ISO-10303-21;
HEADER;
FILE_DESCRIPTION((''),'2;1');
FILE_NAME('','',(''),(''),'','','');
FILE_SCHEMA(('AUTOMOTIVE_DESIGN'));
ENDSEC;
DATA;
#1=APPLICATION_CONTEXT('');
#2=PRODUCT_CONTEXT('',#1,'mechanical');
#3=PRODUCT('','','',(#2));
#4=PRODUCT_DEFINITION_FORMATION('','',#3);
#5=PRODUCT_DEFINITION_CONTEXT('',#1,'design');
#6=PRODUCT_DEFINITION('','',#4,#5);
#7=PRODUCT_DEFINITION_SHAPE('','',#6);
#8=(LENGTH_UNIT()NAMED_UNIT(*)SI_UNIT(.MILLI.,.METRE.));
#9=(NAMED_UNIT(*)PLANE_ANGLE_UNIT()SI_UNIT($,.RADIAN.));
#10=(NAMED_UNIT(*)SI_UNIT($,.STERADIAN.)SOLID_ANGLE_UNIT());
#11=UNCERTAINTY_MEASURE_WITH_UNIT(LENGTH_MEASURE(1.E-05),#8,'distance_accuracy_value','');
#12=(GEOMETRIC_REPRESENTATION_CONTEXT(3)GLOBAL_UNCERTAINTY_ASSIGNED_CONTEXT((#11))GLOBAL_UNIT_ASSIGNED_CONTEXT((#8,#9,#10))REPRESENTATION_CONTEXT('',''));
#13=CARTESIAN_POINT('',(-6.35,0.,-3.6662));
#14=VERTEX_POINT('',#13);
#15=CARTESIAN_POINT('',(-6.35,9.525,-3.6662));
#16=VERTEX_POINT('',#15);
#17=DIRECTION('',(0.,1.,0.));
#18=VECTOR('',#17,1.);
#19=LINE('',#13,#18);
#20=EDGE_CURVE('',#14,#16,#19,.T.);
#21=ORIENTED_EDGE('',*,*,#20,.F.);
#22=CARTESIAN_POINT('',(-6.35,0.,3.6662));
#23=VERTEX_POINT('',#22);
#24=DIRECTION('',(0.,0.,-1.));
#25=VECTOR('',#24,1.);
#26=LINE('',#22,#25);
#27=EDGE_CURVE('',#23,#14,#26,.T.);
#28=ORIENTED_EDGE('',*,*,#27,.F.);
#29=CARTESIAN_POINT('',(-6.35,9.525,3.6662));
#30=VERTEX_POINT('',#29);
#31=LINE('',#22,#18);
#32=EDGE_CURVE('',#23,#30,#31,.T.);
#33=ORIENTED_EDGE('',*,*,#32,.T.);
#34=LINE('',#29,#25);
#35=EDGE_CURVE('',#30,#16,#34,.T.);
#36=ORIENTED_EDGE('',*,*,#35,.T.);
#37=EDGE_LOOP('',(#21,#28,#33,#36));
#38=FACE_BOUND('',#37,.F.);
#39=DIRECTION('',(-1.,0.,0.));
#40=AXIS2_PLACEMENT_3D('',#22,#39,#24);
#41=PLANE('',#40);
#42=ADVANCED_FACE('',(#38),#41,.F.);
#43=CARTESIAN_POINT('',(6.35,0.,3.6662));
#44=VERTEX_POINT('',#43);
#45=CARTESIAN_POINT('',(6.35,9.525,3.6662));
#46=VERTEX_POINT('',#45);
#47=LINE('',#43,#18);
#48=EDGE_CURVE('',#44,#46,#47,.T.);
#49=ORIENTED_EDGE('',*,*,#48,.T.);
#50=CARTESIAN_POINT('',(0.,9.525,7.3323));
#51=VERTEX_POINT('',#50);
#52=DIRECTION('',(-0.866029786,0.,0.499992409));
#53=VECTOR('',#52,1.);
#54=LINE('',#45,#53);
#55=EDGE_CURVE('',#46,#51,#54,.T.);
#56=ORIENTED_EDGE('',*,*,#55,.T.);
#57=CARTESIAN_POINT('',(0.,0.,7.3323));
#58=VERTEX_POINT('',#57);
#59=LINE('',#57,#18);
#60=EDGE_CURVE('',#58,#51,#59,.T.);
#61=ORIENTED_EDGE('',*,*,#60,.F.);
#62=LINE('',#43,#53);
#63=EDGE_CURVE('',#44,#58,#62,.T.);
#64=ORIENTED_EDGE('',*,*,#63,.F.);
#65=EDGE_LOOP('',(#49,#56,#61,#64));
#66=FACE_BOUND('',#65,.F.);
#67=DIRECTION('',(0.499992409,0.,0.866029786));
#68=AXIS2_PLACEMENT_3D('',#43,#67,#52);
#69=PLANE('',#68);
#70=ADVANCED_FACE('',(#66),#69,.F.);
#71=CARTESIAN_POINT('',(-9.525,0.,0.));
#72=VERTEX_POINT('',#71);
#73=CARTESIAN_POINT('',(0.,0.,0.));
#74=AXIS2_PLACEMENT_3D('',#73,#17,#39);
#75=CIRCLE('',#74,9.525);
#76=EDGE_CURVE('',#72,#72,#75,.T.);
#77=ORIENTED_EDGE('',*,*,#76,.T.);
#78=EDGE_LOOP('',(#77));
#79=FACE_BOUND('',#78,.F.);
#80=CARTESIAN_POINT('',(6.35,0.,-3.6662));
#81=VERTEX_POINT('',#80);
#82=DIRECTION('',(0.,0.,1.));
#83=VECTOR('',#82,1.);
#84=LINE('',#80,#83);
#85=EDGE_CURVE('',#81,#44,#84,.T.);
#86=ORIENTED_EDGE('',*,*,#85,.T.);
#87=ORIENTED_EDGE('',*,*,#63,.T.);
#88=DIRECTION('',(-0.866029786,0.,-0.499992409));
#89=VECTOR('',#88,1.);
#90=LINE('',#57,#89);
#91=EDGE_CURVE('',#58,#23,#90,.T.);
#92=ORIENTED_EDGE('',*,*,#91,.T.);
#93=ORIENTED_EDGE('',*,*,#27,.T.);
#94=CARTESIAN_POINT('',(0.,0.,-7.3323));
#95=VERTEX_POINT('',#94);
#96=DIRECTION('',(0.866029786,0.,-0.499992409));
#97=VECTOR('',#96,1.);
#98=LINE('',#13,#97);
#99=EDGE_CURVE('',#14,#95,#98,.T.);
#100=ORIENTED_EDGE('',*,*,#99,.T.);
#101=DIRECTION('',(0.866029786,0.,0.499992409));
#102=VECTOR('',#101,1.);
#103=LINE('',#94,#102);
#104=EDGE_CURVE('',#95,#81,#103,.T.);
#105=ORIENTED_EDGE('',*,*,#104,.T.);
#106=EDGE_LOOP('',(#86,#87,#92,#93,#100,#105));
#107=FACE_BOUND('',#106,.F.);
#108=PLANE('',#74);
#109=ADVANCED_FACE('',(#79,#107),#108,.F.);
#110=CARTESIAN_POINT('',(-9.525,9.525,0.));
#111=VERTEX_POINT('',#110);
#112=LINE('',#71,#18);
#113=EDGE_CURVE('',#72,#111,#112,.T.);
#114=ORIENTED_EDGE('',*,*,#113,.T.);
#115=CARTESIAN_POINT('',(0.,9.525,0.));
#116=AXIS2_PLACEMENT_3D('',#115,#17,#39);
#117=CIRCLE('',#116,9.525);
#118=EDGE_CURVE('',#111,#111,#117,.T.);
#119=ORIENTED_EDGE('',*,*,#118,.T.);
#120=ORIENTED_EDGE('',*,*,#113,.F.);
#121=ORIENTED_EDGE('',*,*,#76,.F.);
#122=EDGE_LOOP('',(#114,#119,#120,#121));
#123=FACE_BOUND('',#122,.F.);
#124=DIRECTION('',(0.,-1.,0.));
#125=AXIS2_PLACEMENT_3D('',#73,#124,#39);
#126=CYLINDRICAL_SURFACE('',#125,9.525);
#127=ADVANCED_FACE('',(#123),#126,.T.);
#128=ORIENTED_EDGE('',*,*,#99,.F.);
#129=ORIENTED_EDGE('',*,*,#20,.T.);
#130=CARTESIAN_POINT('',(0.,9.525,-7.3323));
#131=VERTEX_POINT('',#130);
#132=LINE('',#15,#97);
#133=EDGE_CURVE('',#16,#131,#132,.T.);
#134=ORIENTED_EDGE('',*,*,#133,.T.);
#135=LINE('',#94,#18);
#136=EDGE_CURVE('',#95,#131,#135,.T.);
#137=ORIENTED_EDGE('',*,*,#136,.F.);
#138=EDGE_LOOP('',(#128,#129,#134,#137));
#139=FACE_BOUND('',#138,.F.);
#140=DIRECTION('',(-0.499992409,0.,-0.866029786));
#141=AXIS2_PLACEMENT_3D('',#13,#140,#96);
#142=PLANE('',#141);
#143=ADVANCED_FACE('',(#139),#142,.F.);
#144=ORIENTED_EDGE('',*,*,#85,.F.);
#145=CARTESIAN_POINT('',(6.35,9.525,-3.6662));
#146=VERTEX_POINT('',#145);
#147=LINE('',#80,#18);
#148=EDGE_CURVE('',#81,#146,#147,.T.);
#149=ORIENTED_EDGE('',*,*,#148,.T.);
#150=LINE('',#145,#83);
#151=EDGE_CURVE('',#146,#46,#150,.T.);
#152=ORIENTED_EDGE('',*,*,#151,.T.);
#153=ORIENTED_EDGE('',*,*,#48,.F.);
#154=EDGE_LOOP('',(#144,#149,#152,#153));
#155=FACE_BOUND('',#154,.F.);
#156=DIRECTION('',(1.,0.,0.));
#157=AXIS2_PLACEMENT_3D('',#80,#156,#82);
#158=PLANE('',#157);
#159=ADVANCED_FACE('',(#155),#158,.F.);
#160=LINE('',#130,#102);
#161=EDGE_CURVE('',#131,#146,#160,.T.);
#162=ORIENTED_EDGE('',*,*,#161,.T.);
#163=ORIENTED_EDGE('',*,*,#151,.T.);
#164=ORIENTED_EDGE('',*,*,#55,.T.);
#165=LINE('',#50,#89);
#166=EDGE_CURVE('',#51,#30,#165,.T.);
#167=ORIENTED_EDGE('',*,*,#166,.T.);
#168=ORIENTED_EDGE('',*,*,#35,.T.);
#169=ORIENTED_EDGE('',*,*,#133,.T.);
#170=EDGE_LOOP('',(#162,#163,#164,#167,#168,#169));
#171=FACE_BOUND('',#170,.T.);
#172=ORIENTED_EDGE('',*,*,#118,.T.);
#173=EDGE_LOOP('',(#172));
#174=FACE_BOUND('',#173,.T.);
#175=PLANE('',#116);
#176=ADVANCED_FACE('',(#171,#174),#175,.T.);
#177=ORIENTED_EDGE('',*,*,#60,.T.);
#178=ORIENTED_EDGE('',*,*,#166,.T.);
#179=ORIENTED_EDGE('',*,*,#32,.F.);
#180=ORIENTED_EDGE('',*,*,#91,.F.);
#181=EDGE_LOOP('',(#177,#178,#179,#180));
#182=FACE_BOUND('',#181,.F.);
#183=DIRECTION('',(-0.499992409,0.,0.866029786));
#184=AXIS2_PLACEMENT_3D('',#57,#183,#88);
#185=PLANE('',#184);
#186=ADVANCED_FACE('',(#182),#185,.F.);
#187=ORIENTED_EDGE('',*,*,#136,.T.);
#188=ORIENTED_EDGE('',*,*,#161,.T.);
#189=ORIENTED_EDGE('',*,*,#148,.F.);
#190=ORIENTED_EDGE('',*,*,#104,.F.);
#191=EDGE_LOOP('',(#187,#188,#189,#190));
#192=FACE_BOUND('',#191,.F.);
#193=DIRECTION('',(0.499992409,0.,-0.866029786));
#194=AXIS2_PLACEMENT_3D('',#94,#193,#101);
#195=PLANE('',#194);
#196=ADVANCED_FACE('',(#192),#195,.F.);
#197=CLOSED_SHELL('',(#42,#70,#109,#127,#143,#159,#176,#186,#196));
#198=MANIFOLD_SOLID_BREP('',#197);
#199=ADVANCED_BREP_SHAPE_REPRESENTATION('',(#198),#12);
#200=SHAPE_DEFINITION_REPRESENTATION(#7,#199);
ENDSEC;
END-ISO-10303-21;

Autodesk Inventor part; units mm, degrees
ref_plane "YZ Plane" through (0, 0, 0) normal (1, 0, 0) x (0, 1, 0)
ref_plane "XZ Plane" through (0, 0, 0) normal (0, 1, 0) x (-1, 0, 0)
ref_plane "XY Plane" through (0, 0, 0) normal (0, 0, 1) x (1, 0, 0)
sketch "Sketch1" plane through (0, 0, 0) normal (0, 1, 0) x (-1, 0, 0)
  circle A0 centre (0, 0) radius 6.35 construction
  line L0 (6.35, -3.6662) -> (0, -7.3323)
  line L1 (0, -7.3323) -> (-6.35, -3.6662)
  line L2 (-6.35, -3.6662) -> (-6.35, 3.6662)
  line L3 (-6.35, 3.6662) -> (0, 7.3323)
  line L4 (0, 7.3323) -> (6.35, 3.6662)
  line L5 (6.35, 3.6662) -> (6.35, -3.6662)
  circle A1 centre (0, 0) radius 9.525
  point P0 (6.35, 0)
  dimension "d0" = 12.7
  dimension "d1" = 19.05
extrude "Extrusion1" add sketch "Sketch1" along normal blind 9.525
properties part number "SportGearbox_HexDiffGearSpacer"
